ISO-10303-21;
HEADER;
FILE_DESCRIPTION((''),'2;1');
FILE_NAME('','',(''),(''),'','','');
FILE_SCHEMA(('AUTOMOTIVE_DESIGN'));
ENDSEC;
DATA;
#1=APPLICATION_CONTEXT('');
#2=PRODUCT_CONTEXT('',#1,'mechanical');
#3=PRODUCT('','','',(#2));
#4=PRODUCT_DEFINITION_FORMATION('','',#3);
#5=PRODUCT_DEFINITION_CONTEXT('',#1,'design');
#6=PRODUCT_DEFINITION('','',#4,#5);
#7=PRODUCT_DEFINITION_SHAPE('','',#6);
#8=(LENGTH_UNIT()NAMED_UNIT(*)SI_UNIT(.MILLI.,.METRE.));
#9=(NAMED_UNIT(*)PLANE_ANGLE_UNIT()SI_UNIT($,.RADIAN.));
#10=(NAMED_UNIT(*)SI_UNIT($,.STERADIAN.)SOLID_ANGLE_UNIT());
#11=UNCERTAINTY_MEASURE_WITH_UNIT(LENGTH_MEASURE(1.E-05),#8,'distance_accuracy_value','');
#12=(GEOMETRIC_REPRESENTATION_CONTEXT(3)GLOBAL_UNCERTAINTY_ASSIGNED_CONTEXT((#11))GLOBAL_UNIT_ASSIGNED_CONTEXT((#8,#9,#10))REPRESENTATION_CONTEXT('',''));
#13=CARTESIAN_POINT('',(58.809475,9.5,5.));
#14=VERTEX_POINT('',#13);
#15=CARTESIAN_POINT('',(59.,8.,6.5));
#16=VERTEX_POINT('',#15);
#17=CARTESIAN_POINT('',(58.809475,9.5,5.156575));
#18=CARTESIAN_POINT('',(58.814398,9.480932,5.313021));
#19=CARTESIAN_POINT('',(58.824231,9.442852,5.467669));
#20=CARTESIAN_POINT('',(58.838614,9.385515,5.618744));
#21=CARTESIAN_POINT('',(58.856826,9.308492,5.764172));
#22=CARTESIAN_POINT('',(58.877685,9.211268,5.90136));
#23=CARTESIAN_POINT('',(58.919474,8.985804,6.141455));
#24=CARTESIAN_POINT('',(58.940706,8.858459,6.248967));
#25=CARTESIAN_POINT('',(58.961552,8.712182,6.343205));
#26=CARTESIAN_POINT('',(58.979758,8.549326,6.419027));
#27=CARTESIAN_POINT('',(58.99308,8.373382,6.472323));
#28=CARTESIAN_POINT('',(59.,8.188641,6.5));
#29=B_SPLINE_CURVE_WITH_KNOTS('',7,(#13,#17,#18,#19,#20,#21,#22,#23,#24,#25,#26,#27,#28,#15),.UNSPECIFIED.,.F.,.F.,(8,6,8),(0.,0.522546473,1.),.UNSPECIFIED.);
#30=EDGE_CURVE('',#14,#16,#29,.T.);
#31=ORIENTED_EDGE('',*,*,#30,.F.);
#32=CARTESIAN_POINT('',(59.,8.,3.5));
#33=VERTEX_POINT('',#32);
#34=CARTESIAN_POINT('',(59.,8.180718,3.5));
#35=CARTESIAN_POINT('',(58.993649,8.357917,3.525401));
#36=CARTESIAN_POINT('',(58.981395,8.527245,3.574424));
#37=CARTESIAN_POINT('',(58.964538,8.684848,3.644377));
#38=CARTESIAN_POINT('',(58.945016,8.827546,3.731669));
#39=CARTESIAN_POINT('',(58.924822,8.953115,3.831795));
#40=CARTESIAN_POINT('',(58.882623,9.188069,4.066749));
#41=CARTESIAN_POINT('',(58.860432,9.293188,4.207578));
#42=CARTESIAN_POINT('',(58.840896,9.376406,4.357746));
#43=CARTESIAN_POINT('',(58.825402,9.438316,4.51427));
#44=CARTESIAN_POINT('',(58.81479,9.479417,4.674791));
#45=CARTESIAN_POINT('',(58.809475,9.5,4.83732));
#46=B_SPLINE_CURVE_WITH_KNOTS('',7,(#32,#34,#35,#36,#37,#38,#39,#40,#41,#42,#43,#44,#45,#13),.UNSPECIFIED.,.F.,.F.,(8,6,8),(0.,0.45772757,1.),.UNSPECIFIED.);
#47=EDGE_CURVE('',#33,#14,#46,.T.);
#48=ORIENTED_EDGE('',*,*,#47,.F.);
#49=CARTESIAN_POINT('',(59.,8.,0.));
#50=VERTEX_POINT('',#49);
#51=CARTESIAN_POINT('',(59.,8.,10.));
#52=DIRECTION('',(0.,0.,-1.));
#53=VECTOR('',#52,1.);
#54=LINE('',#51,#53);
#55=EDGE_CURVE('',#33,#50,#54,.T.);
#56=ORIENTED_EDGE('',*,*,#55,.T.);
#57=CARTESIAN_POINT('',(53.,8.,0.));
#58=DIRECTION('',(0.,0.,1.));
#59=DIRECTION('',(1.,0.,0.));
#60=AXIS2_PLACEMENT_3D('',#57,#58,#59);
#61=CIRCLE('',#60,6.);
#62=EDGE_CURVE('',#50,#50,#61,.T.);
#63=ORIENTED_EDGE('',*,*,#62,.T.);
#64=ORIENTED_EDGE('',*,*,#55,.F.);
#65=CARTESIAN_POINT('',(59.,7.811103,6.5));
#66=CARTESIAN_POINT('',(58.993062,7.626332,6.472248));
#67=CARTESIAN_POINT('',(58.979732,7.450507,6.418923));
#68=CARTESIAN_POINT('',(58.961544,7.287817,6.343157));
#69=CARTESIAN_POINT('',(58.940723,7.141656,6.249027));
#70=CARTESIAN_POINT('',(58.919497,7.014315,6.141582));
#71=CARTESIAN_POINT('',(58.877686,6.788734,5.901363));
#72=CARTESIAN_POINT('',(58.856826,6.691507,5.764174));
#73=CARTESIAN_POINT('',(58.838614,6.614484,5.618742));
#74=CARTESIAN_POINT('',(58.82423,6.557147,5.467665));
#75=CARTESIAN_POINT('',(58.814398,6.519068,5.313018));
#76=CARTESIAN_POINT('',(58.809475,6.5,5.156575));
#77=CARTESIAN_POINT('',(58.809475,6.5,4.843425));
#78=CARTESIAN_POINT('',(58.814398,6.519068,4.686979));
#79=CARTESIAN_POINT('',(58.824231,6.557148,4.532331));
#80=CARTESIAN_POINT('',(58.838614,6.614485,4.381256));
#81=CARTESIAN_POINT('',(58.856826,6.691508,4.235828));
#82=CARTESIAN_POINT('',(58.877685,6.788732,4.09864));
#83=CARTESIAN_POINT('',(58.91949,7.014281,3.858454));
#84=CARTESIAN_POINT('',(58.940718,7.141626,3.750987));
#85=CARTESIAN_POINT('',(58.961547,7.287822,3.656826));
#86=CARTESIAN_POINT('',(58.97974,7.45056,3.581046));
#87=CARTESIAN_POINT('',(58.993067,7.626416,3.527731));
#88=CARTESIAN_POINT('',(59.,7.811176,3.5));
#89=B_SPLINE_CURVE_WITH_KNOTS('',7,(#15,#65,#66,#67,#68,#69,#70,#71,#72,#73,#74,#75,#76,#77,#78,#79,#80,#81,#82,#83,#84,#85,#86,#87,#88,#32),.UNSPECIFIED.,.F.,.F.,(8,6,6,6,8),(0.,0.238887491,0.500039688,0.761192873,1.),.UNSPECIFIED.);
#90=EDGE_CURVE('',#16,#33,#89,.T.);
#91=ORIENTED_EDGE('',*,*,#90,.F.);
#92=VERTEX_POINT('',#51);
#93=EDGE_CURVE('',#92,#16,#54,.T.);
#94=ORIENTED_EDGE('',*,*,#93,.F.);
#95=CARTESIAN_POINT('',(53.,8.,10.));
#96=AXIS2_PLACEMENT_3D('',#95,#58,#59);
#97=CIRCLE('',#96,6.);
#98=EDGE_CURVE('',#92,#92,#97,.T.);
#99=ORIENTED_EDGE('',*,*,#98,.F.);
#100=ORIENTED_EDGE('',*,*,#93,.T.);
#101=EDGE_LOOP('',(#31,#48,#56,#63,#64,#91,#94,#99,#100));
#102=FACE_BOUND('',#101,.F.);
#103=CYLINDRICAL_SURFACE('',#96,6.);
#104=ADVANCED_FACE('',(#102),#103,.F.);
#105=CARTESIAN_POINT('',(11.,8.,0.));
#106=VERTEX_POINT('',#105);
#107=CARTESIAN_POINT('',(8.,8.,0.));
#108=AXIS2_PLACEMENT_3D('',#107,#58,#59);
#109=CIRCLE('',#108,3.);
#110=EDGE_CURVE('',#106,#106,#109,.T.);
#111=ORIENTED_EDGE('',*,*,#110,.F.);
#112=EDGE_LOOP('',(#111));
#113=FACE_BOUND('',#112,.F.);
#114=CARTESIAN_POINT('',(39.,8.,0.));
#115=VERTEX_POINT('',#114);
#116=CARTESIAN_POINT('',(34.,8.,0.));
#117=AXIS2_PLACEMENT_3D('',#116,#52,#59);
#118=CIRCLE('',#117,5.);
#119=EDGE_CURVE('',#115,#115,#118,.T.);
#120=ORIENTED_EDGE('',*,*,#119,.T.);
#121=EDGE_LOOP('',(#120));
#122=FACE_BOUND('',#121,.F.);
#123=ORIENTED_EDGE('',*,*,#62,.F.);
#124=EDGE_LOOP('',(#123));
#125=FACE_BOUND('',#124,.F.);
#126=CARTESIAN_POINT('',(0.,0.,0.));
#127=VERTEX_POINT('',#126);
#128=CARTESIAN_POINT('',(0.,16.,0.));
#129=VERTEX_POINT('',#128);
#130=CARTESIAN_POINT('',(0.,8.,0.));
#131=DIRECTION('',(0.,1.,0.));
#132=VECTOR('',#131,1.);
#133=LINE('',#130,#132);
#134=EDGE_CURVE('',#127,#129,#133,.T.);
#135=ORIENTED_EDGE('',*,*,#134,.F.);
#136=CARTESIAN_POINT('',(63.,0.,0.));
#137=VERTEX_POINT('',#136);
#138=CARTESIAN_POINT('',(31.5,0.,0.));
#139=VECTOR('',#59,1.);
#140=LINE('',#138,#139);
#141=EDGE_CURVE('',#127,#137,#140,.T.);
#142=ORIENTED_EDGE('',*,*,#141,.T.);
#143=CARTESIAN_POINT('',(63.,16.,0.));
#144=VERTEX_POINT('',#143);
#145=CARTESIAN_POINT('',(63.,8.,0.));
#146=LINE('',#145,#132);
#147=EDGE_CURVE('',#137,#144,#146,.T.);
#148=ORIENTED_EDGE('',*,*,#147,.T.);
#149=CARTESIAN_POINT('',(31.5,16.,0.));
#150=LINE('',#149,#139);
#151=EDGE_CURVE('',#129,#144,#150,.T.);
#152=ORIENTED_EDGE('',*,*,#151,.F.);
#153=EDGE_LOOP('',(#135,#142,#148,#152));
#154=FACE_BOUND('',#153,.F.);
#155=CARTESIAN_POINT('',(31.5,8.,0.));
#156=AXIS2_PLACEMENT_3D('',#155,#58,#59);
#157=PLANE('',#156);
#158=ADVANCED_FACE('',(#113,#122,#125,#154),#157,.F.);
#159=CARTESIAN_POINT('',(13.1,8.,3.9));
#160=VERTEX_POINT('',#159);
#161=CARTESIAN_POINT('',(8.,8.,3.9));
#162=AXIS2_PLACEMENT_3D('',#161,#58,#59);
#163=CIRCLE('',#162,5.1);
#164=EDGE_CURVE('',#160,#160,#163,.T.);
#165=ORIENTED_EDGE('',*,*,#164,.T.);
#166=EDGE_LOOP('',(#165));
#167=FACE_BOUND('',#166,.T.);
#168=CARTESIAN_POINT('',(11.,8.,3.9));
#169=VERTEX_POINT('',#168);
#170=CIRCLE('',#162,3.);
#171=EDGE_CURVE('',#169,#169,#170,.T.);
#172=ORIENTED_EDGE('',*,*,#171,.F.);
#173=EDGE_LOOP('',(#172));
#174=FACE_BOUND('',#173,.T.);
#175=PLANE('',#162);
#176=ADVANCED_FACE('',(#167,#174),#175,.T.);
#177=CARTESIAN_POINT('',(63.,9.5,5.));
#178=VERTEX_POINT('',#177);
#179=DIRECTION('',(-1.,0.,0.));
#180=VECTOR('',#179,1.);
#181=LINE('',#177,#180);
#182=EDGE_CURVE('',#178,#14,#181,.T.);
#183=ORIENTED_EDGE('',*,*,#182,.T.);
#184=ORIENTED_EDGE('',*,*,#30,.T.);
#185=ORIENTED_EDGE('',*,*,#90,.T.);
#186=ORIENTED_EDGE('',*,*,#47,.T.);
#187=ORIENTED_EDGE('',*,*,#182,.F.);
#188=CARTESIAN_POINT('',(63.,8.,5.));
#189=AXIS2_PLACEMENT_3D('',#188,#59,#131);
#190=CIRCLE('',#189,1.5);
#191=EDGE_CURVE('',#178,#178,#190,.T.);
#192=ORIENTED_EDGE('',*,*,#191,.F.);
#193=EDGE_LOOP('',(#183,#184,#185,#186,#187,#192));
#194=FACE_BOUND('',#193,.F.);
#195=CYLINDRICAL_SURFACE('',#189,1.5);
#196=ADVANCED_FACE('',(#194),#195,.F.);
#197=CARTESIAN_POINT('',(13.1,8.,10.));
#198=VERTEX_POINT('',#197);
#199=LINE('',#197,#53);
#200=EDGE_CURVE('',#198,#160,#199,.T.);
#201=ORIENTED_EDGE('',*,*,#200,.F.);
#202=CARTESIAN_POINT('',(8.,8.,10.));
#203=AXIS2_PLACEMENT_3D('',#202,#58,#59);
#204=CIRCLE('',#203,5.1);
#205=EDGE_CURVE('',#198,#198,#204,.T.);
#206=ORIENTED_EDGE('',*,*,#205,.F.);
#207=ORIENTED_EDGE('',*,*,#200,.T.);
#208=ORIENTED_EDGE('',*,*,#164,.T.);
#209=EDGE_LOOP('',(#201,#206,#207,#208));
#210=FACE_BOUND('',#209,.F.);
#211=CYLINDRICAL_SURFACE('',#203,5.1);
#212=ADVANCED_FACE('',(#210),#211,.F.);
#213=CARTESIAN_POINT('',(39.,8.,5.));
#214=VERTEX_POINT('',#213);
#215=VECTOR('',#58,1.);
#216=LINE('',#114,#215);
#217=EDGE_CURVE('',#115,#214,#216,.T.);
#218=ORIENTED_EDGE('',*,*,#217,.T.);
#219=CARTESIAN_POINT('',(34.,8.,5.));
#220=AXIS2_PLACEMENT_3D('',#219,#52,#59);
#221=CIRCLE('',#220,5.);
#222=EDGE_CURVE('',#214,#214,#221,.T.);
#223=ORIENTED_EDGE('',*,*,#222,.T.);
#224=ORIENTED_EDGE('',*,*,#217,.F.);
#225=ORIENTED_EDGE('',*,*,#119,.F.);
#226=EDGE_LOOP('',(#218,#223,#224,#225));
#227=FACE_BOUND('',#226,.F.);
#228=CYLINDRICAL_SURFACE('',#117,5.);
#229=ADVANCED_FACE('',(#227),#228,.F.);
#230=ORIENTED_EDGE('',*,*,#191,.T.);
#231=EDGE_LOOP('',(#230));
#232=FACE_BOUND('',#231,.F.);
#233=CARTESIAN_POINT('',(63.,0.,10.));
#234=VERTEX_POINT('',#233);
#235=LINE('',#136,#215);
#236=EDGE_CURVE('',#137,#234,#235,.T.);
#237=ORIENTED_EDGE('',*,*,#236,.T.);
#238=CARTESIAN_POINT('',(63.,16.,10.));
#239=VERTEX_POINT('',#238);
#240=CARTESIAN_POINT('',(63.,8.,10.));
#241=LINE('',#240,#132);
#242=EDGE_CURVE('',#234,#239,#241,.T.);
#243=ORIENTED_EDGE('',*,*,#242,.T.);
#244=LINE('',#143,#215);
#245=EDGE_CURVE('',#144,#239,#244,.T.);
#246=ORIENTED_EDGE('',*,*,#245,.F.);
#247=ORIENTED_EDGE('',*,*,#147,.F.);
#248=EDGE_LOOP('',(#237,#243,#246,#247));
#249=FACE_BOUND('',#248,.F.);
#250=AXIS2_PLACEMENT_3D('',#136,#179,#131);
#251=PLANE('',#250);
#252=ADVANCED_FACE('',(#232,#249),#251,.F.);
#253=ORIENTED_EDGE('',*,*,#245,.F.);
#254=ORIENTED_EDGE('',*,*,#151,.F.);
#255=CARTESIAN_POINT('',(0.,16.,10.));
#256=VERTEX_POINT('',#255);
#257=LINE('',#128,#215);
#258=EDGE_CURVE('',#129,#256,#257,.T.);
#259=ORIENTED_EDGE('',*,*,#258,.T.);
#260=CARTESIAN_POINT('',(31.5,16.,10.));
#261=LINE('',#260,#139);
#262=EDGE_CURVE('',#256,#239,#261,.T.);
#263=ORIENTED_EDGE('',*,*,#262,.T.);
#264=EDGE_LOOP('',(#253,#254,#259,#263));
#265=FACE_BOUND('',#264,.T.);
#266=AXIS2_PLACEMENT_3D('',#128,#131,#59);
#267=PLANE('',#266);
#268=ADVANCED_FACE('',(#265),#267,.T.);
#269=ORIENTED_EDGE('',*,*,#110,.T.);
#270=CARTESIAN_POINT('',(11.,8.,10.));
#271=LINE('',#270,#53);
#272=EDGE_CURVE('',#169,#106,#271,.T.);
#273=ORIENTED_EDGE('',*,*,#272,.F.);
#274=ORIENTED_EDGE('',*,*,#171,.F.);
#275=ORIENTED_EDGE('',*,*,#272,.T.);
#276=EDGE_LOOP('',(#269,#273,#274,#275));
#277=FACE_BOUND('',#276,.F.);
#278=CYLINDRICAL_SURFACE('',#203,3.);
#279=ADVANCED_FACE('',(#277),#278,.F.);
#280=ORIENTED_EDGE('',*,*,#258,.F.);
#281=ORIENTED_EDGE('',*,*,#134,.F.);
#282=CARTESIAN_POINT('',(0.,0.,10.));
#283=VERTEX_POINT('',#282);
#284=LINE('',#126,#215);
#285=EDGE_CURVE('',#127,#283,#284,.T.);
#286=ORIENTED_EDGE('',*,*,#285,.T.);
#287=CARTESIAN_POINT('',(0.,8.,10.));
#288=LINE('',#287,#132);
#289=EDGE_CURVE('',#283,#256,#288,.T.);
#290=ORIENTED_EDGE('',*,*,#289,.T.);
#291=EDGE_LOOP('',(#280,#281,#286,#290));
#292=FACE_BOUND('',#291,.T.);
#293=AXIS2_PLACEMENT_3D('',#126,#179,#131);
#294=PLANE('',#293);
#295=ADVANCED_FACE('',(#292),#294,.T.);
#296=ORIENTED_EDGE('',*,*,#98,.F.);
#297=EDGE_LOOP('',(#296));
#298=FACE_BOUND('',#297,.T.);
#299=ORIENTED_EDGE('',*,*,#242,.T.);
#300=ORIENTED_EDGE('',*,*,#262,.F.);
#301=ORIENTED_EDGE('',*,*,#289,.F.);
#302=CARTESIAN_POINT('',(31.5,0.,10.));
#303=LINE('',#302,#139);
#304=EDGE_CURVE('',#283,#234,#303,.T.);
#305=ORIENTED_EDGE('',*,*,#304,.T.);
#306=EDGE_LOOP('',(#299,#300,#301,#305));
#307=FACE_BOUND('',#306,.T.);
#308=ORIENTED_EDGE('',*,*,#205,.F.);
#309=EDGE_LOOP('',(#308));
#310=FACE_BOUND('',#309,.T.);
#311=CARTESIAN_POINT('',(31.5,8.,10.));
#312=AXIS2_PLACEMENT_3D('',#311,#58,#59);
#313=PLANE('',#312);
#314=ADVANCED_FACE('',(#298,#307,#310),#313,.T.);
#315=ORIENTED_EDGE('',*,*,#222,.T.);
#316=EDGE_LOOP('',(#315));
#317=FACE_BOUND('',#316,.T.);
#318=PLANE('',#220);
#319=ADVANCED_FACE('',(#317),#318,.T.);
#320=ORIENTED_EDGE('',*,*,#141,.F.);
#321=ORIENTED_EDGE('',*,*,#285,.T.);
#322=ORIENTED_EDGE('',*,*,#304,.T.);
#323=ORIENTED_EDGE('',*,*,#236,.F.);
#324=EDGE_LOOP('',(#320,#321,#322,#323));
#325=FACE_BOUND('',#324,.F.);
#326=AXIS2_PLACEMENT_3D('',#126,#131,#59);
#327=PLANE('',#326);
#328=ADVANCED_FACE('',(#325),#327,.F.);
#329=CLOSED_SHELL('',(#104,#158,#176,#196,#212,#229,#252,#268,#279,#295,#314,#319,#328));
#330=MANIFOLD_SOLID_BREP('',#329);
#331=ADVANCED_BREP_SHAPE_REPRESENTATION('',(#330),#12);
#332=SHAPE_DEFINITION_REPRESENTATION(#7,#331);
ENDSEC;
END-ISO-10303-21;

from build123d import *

# Parameters (mm, degrees)
F0_W     = 63
F0_H     = 16
F1_DEPTH = 10
F2_R     = 3
F2_R_2   = 6
F3_DEPTH = 10.001
F2_R_3   = 5.1
F4_DEPTH = 6.1
F5_R     = 1.5
F6_DEPTH = 4.1915250807
F7_R     = 5
F8_DEPTH = 5


with BuildPart() as f1:
    # F0 (on Top) → F1 (new body)
    with BuildSketch(Plane.XY):
        with Locations((31.5, 8)):
            Rectangle(F0_W, F0_H)
    extrude(amount=F1_DEPTH)

    # F2 (on face) → F3 (cut, through all)
    with BuildSketch(Plane.XY.offset(10)):
        with Locations((8, 8)):
            Circle(F2_R)
        with Locations((53, 8)):
            Circle(F2_R_2)
    extrude(amount=-F3_DEPTH, mode=Mode.SUBTRACT)

    # F2 (on face) → F4 (cut)
    with BuildSketch(Plane.XY.offset(10)):
        with Locations((8, 8)):
            Circle(F2_R_3)
        with Locations((8, 8)):
            Circle(F2_R, mode=Mode.SUBTRACT)
    extrude(amount=-F4_DEPTH, mode=Mode.SUBTRACT)

    # F5 (on face) → F6 (cut, through all)
    with BuildSketch(Plane.YZ.offset(63)):
        with Locations((8, 5)):
            Circle(F5_R)
    extrude(amount=-F6_DEPTH, mode=Mode.SUBTRACT)

    # F7 (on face) → F8 (cut)
    with BuildSketch(Plane(origin=(0, 0, 0), x_dir=(1, 0, 0), z_dir=(0, 0, -1))):
        with Locations((34, -8)):
            Circle(F7_R)
    extrude(amount=-F8_DEPTH, mode=Mode.SUBTRACT)


solid = f1.part
